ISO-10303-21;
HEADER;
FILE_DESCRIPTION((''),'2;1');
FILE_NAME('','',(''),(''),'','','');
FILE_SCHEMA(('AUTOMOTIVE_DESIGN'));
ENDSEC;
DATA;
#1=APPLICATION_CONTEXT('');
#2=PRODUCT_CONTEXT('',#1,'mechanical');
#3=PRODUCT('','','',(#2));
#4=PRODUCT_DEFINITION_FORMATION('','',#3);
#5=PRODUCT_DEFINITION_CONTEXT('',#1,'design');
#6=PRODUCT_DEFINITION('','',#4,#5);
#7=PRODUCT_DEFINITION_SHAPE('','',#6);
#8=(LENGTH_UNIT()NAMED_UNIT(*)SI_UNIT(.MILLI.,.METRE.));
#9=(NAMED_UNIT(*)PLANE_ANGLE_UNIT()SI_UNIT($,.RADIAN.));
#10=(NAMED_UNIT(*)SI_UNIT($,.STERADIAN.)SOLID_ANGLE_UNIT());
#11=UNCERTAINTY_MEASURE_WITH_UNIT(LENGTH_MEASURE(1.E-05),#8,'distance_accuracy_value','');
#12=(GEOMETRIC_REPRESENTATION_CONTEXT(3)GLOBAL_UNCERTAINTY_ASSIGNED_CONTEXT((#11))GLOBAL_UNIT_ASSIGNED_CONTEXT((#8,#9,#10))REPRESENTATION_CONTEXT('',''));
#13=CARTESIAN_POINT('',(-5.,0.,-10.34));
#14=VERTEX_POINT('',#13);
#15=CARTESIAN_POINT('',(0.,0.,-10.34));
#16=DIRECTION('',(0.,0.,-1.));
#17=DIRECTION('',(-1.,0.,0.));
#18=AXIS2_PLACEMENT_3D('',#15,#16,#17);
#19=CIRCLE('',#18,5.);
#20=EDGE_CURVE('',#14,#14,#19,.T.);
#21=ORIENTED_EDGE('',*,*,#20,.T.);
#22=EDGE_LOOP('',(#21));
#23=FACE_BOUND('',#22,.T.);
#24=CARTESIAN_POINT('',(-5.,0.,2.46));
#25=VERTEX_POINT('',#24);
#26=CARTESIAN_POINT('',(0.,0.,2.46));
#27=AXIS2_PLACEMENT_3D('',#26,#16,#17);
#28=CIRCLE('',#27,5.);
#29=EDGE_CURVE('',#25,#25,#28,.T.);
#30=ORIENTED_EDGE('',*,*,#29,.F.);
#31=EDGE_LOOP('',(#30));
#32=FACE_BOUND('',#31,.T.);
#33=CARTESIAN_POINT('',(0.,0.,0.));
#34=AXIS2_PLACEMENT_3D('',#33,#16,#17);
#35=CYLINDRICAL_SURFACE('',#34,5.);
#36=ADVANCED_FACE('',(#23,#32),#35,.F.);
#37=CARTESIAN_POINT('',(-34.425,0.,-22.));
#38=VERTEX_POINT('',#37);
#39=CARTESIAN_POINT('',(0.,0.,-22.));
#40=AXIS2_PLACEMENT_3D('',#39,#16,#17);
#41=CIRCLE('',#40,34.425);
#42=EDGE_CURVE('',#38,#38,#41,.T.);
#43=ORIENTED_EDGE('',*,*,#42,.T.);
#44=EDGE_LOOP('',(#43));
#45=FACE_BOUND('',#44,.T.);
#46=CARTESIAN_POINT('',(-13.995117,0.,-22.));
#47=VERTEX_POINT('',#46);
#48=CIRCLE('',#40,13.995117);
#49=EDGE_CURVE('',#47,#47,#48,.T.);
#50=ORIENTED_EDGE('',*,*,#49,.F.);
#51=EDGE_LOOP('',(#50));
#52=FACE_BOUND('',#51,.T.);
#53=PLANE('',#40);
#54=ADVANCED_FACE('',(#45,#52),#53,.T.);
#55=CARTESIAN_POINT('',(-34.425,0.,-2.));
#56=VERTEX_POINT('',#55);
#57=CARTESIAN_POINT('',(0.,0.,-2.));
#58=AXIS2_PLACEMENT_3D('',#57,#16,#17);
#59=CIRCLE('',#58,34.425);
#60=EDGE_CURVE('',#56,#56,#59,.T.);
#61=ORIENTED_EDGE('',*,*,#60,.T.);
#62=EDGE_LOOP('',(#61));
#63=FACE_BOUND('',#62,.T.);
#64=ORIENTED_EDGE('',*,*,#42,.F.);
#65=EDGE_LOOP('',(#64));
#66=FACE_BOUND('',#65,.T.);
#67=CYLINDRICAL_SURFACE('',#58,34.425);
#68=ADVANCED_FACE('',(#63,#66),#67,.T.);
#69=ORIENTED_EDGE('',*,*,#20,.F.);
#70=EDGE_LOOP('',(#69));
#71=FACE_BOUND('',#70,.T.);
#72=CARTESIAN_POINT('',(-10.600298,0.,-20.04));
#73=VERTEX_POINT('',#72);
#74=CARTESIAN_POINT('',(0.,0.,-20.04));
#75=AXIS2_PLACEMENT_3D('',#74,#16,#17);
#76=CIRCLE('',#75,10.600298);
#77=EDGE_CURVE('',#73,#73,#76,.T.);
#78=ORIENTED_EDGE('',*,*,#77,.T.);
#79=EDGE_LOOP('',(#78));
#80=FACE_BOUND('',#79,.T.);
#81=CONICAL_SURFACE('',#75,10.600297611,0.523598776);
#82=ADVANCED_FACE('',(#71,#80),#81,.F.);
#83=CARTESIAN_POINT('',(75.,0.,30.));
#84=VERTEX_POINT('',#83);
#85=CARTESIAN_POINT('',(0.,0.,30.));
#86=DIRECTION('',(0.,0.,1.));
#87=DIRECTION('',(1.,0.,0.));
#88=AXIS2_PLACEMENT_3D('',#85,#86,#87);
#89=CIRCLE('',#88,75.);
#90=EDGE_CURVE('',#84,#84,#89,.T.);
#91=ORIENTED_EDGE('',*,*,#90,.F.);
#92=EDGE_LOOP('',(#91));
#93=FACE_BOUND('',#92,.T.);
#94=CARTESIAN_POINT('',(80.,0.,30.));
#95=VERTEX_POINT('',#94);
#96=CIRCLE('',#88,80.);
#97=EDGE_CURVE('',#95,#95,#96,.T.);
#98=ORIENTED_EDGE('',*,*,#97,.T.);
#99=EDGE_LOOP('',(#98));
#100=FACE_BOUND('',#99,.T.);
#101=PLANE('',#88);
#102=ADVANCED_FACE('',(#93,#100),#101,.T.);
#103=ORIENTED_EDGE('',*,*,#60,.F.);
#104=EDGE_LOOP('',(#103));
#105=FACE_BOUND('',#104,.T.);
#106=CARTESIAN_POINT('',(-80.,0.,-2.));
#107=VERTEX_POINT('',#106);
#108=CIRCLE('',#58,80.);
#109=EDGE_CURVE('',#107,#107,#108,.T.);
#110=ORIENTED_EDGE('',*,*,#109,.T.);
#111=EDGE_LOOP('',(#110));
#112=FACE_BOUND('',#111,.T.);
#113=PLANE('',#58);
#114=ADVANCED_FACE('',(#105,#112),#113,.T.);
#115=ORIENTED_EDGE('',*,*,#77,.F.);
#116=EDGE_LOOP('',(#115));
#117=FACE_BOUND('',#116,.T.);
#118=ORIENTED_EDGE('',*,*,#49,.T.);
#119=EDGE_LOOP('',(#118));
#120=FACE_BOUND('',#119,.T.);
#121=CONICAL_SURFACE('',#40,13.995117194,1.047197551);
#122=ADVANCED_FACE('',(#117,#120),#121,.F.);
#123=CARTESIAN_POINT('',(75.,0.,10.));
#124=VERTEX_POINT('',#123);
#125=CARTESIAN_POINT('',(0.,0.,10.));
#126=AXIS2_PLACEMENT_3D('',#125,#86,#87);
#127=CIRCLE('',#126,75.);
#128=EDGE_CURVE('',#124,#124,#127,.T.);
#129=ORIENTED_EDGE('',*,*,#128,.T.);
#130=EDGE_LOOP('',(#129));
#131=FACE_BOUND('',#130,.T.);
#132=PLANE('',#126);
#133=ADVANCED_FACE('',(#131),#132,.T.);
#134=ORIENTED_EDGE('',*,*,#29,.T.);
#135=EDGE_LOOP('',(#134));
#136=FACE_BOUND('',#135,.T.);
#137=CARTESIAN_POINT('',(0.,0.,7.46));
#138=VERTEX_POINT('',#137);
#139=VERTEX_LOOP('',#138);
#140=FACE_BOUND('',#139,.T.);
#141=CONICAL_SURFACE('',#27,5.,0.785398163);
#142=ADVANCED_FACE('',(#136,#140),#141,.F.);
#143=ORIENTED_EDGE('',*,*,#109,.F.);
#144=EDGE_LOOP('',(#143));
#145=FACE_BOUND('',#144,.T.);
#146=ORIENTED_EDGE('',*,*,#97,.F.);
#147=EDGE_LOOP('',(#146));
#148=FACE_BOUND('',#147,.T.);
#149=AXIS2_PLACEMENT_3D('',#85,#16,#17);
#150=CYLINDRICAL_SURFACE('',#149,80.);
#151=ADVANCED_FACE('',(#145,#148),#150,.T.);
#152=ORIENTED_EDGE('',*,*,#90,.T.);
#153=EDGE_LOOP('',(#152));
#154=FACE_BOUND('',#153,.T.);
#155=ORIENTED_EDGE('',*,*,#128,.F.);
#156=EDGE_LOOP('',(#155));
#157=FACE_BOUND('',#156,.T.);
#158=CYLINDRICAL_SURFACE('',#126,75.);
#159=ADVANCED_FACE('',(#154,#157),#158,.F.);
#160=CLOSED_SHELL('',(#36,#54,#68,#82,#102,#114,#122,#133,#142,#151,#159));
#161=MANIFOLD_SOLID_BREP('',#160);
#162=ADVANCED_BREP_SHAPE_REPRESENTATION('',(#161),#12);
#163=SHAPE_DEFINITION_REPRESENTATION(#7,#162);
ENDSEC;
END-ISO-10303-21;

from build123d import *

# Parameters (mm, degrees)
SZKIC1_R                    = 80
DODANIE_WYCI_GNI_CIE1_DEPTH = 30
SZKIC2_R                    = 75
WYTNIJ_WYCI_GNI_CIE2_DEPTH  = 20
DODANIE_WYCI_GNI_CIE2_START = 22
SZKIC20_R                   = 80
DODANIE_WYCI_GNI_CIE2_DEPTH = 22
SZKIC22_R                   = 80
SZKIC22_R_2                 = 34.425
WYTNIJ_WYCI_GNI_CIE3_DEPTH  = 20


with BuildPart() as part:
    # Szkic1 → Dodanie-wyciągnięcie1 (new body)
    with BuildSketch(Plane.XY):
        Circle(SZKIC1_R)
    extrude(amount=DODANIE_WYCI_GNI_CIE1_DEPTH)

    # Szkic2 → Wytnij-wyciągnięcie2 (cut)
    with BuildSketch(Plane.XY.offset(30)):
        Circle(SZKIC2_R)
    extrude(amount=-WYTNIJ_WYCI_GNI_CIE2_DEPTH, mode=Mode.SUBTRACT)

    # Szkic20 → Dodanie-wyciągnięcie2 (add)
    with BuildSketch(Plane(origin=(0, 0, 0), x_dir=(-1, 0, 0), z_dir=(0, 0, -1)).offset(DODANIE_WYCI_GNI_CIE2_START)):
        Circle(SZKIC20_R)
    extrude(amount=-DODANIE_WYCI_GNI_CIE2_DEPTH)

    # Szkic21 → Wycięcie-obrót1 (revolve, cut)
    with BuildSketch(Plane(origin=(0, 0, 0), x_dir=(1, 0, 0), z_dir=(0, 1, 0))):
        Polygon((0, 22), (0, -7.46), (-5, -2.46), (-5, 10.34), (-10.600297611, 20.04), (-13.995117194, 22), align=None)
    revolve(axis=Axis((0, 0, 0), (0, 0, 1)), mode=Mode.SUBTRACT)

    # Szkic22 → Wytnij-wyciągnięcie3 (cut)
    with BuildSketch(Plane(origin=(0, 0, -22), x_dir=(-1, 0, 0), z_dir=(0, 0, -1))):
        Circle(SZKIC22_R)
        Circle(SZKIC22_R_2, mode=Mode.SUBTRACT)
    extrude(amount=-WYTNIJ_WYCI_GNI_CIE3_DEPTH, mode=Mode.SUBTRACT)


solid = part.part
